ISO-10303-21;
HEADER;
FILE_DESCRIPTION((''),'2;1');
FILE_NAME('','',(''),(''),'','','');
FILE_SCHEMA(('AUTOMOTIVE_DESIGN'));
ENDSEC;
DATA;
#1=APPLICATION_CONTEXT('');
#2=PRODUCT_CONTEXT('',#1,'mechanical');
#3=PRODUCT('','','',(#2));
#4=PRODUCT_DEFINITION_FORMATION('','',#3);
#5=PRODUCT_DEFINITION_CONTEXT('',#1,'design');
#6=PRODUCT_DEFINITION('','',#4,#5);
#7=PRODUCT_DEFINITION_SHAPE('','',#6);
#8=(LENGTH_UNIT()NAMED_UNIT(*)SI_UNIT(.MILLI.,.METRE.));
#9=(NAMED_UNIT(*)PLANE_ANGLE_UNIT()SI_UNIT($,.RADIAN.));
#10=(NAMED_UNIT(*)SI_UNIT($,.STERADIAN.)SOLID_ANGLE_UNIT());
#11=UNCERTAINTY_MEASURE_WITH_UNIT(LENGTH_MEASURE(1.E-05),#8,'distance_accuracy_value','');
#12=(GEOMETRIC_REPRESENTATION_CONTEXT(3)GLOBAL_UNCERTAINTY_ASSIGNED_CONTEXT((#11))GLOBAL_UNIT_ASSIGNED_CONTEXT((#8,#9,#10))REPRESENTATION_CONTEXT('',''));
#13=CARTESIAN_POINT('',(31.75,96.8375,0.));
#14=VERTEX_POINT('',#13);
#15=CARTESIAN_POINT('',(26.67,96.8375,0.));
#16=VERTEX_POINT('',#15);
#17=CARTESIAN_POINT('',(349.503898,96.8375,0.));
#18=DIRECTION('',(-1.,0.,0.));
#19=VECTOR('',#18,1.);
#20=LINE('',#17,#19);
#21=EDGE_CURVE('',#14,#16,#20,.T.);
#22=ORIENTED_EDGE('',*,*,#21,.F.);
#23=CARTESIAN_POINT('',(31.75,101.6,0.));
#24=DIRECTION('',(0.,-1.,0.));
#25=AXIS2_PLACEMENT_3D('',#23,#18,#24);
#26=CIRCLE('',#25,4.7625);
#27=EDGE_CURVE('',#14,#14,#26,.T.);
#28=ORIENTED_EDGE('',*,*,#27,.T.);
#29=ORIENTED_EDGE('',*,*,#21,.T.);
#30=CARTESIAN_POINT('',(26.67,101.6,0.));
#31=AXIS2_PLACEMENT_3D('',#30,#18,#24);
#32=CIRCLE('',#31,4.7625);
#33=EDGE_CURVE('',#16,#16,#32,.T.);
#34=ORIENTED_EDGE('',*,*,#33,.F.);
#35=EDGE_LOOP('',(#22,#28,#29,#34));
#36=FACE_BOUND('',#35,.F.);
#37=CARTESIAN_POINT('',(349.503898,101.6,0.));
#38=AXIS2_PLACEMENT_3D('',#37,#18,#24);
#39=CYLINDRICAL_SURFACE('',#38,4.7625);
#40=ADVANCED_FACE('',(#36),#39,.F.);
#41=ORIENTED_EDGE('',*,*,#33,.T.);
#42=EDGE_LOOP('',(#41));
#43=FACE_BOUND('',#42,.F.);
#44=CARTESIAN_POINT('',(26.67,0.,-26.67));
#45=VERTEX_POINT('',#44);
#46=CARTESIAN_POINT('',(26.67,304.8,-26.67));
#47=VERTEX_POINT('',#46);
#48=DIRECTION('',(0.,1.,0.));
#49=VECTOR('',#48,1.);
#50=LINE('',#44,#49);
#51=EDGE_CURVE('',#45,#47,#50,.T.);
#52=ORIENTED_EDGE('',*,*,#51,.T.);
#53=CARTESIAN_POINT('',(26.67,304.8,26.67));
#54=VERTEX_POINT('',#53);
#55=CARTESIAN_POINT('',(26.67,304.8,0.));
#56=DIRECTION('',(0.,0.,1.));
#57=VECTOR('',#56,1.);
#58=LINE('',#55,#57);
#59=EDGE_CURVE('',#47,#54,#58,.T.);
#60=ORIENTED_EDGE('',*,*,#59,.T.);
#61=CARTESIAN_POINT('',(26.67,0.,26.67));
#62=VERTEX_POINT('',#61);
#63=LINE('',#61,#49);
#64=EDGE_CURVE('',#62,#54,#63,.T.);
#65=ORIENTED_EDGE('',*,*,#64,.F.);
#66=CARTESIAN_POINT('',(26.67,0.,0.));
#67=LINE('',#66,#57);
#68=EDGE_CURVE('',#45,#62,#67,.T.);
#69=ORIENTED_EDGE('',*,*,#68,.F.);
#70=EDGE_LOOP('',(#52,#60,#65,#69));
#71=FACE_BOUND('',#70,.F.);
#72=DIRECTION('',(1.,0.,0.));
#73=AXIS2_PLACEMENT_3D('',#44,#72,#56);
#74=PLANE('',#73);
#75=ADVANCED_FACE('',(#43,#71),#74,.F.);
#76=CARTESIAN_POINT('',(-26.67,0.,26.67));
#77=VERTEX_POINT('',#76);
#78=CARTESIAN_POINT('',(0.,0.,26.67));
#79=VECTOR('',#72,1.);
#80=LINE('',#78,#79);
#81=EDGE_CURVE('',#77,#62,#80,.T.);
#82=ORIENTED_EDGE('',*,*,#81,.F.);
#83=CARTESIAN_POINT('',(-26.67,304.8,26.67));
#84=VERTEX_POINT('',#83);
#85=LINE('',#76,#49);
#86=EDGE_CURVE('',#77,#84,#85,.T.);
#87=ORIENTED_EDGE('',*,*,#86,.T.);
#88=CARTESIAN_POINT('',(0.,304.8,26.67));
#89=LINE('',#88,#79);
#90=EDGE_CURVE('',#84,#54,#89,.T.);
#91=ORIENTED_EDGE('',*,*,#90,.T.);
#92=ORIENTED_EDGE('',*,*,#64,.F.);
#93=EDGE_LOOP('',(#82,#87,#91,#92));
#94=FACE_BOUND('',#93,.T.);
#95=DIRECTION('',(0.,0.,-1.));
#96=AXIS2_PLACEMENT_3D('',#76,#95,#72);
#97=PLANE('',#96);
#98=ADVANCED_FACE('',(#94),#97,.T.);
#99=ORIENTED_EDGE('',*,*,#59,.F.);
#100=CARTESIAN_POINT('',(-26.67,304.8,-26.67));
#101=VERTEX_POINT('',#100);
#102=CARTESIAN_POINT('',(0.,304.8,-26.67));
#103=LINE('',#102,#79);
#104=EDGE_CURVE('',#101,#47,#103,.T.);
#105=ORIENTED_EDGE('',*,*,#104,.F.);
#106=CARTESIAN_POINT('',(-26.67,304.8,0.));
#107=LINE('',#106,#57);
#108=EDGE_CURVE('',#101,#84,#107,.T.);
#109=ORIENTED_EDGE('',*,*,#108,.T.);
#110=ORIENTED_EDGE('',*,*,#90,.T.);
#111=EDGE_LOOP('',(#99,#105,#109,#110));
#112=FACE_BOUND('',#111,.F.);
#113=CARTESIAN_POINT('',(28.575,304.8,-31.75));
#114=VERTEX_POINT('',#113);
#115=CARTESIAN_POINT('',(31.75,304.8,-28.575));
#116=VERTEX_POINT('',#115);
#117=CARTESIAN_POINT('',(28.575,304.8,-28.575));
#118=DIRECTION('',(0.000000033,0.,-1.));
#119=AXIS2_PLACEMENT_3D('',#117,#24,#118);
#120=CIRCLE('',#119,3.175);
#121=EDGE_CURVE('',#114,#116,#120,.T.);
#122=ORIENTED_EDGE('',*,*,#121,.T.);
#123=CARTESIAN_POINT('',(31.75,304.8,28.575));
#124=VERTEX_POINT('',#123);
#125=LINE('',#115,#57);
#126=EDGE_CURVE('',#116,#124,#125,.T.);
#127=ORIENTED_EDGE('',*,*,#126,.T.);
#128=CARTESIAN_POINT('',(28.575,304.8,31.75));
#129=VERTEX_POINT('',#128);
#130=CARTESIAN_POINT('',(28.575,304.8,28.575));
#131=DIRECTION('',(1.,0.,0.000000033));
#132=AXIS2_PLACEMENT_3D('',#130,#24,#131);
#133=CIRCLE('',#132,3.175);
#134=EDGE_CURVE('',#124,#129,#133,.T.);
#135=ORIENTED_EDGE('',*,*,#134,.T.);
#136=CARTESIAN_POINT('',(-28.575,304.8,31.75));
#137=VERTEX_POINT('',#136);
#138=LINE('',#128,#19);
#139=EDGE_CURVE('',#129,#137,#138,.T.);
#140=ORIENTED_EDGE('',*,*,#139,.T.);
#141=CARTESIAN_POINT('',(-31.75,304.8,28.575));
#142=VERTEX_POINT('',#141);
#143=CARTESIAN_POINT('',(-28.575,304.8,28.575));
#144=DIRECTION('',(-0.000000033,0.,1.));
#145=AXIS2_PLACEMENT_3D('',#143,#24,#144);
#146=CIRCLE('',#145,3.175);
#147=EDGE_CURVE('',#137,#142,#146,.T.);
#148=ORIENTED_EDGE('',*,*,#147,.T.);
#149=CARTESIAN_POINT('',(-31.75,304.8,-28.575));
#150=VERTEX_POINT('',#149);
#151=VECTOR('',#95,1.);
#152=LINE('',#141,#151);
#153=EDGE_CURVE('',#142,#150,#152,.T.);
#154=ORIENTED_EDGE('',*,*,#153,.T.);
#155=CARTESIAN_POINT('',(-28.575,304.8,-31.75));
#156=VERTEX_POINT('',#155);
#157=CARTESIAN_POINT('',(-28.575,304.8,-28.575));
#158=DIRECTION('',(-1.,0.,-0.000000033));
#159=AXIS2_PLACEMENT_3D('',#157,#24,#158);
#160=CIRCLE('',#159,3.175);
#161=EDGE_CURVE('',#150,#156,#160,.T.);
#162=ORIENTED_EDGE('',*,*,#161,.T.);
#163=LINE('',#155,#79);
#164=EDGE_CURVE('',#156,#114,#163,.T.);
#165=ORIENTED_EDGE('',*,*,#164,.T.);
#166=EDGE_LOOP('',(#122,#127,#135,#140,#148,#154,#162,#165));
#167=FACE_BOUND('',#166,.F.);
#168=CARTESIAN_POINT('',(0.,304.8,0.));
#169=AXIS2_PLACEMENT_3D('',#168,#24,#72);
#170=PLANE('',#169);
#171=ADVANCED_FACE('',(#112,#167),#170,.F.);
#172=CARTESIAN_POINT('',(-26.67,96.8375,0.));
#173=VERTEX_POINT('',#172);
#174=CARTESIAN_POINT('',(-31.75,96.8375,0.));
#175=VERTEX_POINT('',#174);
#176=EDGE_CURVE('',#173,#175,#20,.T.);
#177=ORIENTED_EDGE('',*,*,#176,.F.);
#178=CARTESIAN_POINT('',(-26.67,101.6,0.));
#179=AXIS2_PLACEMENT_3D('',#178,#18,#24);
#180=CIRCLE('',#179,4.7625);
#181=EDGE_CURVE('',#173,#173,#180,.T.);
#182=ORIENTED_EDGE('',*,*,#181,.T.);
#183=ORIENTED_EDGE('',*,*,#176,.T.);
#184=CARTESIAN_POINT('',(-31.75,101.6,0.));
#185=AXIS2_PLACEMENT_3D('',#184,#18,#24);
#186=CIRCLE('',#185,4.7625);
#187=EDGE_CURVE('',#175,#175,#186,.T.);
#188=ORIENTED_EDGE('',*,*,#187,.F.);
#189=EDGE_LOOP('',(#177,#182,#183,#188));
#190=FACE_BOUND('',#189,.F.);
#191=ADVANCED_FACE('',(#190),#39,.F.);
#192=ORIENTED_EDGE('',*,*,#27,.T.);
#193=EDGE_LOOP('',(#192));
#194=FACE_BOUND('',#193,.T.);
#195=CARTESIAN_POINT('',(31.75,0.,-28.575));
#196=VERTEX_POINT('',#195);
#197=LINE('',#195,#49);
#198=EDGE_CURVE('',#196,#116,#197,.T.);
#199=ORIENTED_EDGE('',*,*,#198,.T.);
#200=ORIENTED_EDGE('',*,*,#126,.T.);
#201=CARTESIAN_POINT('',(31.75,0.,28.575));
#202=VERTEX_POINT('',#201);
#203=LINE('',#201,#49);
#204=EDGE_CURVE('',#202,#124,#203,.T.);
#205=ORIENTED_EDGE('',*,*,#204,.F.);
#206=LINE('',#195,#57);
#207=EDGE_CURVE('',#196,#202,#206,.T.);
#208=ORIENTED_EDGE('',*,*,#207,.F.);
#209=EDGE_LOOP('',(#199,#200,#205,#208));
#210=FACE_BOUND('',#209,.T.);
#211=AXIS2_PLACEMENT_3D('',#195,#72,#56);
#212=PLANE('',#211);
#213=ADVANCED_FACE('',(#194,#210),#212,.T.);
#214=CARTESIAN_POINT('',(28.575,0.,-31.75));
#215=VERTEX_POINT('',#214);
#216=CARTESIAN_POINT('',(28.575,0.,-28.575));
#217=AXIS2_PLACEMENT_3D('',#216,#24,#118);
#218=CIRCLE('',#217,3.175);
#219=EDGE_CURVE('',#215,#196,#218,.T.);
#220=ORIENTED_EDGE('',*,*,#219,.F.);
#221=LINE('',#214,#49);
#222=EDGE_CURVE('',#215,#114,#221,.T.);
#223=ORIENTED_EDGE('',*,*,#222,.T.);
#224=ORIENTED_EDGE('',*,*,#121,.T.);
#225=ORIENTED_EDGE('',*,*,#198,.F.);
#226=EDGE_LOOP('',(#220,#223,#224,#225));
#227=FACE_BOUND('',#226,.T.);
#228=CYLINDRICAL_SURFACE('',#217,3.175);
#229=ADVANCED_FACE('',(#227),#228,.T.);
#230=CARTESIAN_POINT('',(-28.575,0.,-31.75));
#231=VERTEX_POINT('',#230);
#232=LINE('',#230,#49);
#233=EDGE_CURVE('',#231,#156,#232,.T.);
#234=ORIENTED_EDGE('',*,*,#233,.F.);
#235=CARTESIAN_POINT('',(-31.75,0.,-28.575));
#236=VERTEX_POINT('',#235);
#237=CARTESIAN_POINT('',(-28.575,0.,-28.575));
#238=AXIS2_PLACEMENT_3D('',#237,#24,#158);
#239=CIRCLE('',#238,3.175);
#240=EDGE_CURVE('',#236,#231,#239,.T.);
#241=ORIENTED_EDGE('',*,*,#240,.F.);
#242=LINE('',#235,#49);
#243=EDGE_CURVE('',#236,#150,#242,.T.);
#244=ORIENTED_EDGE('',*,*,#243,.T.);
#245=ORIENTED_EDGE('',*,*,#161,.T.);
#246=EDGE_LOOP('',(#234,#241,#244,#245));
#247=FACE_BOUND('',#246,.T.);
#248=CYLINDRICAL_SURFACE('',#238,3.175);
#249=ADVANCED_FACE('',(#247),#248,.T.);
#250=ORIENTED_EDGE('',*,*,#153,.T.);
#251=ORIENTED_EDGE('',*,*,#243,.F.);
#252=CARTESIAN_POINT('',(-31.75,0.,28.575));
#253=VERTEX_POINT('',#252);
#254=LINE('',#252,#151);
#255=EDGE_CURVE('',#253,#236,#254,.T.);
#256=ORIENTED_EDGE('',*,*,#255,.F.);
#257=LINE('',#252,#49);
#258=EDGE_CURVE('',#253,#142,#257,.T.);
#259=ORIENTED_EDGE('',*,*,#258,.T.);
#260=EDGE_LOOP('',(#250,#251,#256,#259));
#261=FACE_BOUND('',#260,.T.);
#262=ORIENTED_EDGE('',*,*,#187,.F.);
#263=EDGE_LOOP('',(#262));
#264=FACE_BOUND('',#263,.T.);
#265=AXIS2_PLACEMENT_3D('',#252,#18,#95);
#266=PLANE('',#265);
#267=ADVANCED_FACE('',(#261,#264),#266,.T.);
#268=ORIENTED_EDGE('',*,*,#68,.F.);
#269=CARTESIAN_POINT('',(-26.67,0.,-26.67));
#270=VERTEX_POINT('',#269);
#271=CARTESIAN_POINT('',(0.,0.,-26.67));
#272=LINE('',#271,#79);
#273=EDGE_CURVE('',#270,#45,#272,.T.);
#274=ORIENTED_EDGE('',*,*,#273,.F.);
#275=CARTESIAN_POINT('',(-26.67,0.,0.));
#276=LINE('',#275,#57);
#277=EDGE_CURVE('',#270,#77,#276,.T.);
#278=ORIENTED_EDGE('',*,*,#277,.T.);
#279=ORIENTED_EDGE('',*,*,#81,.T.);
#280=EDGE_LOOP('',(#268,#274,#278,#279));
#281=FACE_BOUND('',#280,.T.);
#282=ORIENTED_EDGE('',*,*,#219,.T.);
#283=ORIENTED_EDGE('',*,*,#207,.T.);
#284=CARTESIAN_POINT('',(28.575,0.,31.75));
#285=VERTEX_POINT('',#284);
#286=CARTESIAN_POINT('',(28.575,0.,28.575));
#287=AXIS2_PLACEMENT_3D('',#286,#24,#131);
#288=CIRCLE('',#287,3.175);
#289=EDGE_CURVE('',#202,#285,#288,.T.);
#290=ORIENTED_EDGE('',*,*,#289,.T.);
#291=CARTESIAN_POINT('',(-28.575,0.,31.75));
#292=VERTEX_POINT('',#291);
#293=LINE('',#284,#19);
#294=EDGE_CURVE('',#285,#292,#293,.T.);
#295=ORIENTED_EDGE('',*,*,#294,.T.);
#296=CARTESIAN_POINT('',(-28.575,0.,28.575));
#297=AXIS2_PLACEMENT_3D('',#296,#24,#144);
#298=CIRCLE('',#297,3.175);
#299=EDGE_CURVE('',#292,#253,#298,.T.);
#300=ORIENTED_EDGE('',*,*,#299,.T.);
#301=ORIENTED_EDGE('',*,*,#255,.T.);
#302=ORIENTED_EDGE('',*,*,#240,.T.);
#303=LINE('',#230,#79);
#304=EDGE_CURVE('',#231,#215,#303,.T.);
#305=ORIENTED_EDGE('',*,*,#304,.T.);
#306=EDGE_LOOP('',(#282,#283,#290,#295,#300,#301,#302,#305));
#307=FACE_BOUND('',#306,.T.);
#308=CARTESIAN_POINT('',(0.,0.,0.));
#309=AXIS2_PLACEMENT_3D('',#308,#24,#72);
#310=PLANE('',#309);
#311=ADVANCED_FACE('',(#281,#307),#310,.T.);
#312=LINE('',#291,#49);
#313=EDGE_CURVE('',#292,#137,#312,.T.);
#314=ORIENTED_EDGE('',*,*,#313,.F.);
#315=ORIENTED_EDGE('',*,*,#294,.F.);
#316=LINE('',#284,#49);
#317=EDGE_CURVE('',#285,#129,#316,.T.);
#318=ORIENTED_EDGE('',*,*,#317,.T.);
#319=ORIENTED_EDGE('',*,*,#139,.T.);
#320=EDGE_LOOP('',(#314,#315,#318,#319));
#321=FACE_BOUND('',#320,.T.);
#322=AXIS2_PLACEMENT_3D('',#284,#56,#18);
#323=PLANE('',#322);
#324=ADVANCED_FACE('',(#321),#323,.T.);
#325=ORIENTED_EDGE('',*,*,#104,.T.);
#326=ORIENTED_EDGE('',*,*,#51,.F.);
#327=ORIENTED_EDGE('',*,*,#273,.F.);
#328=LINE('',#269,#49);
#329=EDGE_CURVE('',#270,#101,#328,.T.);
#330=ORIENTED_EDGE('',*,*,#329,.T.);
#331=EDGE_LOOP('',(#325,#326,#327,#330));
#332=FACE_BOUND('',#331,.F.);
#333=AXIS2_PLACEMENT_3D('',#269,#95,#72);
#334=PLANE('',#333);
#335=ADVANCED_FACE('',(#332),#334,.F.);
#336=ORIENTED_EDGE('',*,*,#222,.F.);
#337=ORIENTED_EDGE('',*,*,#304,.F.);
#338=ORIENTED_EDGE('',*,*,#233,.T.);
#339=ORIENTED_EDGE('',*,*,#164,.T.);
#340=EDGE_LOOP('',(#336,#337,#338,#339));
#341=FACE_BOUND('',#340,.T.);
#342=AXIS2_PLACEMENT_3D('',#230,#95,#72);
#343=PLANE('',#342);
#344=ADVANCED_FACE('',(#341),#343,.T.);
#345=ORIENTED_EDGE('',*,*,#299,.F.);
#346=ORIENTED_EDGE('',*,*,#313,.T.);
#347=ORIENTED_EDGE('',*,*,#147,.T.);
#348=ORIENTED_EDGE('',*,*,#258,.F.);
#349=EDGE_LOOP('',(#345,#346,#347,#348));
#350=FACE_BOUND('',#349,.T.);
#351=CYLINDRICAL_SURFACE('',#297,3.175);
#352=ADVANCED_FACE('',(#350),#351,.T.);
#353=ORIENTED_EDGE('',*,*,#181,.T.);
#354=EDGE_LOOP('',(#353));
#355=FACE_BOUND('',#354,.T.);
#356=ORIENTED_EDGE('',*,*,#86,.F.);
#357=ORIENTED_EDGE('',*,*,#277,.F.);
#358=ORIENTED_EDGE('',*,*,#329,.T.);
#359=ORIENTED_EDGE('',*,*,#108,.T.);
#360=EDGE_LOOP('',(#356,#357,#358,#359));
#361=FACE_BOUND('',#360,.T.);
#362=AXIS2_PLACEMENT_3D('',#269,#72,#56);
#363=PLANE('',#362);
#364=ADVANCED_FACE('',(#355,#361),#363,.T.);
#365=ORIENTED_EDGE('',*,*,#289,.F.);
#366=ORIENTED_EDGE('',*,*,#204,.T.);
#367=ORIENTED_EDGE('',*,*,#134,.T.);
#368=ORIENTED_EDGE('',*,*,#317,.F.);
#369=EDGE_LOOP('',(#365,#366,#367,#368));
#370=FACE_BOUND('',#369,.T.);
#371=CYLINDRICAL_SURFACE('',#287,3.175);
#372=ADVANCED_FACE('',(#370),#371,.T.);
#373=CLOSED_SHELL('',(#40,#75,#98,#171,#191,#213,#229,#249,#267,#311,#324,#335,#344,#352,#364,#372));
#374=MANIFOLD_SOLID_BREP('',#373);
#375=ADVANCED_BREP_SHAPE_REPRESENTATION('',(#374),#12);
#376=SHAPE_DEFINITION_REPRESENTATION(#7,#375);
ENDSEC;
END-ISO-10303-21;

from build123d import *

# Parameters (mm, degrees)
F0_W     = 53.34
F0_H     = 53.34
F1_DEPTH = 304.8
F3_D     = 9.525


with BuildPart() as f1:
    # F0 (on Front) → F1 (new body)
    with BuildSketch(Plane.XZ):
        with BuildLine():
            ThreePointArc((31.75, 28.575), (30.820064, 30.820064), (28.575, 31.75))
            Line((28.575, 31.75), (-28.575, 31.75))
            ThreePointArc((-28.575, 31.75), (-30.820064, 30.820064), (-31.75, 28.575))
            Line((-31.75, 28.575), (-31.75, -28.575))
            ThreePointArc((-31.75, -28.575), (-30.820064, -30.820064), (-28.575, -31.75))
            Line((-28.575, -31.75), (28.575, -31.75))
            ThreePointArc((28.575, -31.75), (30.820064, -30.820064), (31.75, -28.575))
            Line((31.75, -28.575), (31.75, 28.575))
        make_face()
        Rectangle(F0_W, F0_H, mode=Mode.SUBTRACT)
    extrude(amount=-F1_DEPTH)

    # F3 (through all)
    with Locations(Plane.YZ.offset(31.75)):
        with Locations((101.6, 0)):
            Hole(F3_D / 2)


solid = f1.part
